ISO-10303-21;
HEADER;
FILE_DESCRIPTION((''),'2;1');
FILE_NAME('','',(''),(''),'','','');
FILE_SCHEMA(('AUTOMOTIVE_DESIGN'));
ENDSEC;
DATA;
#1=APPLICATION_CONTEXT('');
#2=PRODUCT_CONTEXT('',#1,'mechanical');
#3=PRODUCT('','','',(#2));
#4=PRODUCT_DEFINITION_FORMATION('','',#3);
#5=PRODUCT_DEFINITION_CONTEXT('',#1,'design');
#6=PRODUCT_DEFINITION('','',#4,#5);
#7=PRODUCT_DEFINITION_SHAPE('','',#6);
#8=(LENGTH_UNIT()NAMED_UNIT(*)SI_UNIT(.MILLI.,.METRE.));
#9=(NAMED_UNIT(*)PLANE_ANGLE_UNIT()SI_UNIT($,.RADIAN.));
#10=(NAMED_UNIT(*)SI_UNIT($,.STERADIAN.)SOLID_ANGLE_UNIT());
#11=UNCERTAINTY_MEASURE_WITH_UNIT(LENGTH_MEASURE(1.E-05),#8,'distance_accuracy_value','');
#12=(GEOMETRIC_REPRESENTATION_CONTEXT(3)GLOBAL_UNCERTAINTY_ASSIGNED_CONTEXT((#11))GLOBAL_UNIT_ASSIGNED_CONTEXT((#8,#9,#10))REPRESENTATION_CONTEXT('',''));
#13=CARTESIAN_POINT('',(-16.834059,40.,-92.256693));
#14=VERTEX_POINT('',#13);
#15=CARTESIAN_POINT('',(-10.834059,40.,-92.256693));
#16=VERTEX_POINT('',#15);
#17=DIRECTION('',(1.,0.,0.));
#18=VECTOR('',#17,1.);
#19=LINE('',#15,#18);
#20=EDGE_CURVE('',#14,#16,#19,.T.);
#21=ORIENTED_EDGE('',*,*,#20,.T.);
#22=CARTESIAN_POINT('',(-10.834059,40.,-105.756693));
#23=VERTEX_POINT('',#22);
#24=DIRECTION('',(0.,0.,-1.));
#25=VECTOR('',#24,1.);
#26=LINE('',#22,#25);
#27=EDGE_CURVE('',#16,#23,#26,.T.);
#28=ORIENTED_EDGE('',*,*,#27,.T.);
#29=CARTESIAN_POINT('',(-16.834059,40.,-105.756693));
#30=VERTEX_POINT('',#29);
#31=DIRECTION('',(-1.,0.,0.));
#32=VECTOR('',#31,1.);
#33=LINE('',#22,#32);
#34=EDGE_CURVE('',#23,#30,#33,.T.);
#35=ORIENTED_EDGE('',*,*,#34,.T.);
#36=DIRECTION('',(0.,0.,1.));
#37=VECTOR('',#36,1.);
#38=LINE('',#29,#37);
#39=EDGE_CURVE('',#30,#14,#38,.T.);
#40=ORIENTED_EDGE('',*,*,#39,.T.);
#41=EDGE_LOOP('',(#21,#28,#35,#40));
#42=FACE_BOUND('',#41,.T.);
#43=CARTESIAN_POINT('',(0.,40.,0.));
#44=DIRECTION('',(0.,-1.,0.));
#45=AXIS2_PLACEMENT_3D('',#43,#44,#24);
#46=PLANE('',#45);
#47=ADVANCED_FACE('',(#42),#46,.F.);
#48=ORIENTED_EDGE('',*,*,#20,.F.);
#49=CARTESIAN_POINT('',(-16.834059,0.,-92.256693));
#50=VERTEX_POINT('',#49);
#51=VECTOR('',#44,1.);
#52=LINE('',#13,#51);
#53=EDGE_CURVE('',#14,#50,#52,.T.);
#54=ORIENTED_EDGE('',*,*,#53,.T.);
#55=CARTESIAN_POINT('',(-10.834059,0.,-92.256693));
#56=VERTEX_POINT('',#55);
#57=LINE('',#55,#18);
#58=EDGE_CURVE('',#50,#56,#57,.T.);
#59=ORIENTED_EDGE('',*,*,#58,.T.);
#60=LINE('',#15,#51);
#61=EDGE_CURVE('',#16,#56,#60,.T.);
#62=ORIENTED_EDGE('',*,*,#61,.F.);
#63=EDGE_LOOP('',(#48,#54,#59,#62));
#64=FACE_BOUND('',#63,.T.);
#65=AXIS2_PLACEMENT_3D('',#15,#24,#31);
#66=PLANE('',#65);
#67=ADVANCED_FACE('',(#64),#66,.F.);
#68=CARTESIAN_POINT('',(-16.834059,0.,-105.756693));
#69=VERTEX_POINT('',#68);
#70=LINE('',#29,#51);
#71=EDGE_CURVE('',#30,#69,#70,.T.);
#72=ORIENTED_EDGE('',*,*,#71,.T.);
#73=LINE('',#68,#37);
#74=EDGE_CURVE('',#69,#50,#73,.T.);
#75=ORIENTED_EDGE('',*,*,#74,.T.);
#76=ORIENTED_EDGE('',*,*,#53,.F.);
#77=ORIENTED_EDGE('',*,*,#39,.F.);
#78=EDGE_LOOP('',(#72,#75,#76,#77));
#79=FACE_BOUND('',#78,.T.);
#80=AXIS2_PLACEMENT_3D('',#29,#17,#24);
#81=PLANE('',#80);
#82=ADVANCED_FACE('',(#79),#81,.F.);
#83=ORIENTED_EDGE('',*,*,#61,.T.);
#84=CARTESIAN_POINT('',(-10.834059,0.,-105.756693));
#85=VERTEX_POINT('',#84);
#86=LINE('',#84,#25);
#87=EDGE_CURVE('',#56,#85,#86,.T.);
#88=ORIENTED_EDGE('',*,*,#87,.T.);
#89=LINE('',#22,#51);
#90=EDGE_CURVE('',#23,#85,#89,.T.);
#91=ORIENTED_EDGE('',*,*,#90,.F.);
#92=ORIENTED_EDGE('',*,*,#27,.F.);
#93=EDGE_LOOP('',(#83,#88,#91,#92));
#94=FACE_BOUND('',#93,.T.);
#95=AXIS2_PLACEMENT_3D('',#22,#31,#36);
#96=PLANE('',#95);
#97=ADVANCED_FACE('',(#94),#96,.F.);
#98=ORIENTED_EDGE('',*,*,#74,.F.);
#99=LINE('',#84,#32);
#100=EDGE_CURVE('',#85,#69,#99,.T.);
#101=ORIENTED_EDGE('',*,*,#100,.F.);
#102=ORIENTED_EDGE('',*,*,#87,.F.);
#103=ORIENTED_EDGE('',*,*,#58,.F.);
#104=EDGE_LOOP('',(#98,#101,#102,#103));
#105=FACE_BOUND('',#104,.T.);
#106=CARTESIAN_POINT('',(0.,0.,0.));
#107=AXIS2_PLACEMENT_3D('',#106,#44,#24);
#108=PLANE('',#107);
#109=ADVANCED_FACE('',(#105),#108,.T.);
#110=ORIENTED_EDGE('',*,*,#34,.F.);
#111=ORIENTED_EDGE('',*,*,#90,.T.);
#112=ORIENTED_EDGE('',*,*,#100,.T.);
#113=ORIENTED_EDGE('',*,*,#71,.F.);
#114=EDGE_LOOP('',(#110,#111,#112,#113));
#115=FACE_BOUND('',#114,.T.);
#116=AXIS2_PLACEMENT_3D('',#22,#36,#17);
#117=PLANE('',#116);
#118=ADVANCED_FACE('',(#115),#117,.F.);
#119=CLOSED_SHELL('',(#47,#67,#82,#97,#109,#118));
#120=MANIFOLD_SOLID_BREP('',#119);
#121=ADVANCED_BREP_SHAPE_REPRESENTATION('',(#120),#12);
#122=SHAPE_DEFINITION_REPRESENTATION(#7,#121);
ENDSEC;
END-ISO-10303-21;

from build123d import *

# Parameters (mm, degrees)
PROFILE_SKETCH_W      = 6
PROFILE_SKETCH_H      = 13.5
PROFILE_EXTRUDE_DEPTH = 40


with BuildPart() as part:
    # Profile Sketch → Profile Extrude (new body)
    with BuildSketch(Plane(origin=(-13.83405858, 0, -105.75669297), x_dir=(-1, 0, 0), z_dir=(0, 1, 0))):
        with Locations((0, 6.75)):
            Rectangle(PROFILE_SKETCH_W, PROFILE_SKETCH_H)
    extrude(amount=PROFILE_EXTRUDE_DEPTH)


solid = part.part
